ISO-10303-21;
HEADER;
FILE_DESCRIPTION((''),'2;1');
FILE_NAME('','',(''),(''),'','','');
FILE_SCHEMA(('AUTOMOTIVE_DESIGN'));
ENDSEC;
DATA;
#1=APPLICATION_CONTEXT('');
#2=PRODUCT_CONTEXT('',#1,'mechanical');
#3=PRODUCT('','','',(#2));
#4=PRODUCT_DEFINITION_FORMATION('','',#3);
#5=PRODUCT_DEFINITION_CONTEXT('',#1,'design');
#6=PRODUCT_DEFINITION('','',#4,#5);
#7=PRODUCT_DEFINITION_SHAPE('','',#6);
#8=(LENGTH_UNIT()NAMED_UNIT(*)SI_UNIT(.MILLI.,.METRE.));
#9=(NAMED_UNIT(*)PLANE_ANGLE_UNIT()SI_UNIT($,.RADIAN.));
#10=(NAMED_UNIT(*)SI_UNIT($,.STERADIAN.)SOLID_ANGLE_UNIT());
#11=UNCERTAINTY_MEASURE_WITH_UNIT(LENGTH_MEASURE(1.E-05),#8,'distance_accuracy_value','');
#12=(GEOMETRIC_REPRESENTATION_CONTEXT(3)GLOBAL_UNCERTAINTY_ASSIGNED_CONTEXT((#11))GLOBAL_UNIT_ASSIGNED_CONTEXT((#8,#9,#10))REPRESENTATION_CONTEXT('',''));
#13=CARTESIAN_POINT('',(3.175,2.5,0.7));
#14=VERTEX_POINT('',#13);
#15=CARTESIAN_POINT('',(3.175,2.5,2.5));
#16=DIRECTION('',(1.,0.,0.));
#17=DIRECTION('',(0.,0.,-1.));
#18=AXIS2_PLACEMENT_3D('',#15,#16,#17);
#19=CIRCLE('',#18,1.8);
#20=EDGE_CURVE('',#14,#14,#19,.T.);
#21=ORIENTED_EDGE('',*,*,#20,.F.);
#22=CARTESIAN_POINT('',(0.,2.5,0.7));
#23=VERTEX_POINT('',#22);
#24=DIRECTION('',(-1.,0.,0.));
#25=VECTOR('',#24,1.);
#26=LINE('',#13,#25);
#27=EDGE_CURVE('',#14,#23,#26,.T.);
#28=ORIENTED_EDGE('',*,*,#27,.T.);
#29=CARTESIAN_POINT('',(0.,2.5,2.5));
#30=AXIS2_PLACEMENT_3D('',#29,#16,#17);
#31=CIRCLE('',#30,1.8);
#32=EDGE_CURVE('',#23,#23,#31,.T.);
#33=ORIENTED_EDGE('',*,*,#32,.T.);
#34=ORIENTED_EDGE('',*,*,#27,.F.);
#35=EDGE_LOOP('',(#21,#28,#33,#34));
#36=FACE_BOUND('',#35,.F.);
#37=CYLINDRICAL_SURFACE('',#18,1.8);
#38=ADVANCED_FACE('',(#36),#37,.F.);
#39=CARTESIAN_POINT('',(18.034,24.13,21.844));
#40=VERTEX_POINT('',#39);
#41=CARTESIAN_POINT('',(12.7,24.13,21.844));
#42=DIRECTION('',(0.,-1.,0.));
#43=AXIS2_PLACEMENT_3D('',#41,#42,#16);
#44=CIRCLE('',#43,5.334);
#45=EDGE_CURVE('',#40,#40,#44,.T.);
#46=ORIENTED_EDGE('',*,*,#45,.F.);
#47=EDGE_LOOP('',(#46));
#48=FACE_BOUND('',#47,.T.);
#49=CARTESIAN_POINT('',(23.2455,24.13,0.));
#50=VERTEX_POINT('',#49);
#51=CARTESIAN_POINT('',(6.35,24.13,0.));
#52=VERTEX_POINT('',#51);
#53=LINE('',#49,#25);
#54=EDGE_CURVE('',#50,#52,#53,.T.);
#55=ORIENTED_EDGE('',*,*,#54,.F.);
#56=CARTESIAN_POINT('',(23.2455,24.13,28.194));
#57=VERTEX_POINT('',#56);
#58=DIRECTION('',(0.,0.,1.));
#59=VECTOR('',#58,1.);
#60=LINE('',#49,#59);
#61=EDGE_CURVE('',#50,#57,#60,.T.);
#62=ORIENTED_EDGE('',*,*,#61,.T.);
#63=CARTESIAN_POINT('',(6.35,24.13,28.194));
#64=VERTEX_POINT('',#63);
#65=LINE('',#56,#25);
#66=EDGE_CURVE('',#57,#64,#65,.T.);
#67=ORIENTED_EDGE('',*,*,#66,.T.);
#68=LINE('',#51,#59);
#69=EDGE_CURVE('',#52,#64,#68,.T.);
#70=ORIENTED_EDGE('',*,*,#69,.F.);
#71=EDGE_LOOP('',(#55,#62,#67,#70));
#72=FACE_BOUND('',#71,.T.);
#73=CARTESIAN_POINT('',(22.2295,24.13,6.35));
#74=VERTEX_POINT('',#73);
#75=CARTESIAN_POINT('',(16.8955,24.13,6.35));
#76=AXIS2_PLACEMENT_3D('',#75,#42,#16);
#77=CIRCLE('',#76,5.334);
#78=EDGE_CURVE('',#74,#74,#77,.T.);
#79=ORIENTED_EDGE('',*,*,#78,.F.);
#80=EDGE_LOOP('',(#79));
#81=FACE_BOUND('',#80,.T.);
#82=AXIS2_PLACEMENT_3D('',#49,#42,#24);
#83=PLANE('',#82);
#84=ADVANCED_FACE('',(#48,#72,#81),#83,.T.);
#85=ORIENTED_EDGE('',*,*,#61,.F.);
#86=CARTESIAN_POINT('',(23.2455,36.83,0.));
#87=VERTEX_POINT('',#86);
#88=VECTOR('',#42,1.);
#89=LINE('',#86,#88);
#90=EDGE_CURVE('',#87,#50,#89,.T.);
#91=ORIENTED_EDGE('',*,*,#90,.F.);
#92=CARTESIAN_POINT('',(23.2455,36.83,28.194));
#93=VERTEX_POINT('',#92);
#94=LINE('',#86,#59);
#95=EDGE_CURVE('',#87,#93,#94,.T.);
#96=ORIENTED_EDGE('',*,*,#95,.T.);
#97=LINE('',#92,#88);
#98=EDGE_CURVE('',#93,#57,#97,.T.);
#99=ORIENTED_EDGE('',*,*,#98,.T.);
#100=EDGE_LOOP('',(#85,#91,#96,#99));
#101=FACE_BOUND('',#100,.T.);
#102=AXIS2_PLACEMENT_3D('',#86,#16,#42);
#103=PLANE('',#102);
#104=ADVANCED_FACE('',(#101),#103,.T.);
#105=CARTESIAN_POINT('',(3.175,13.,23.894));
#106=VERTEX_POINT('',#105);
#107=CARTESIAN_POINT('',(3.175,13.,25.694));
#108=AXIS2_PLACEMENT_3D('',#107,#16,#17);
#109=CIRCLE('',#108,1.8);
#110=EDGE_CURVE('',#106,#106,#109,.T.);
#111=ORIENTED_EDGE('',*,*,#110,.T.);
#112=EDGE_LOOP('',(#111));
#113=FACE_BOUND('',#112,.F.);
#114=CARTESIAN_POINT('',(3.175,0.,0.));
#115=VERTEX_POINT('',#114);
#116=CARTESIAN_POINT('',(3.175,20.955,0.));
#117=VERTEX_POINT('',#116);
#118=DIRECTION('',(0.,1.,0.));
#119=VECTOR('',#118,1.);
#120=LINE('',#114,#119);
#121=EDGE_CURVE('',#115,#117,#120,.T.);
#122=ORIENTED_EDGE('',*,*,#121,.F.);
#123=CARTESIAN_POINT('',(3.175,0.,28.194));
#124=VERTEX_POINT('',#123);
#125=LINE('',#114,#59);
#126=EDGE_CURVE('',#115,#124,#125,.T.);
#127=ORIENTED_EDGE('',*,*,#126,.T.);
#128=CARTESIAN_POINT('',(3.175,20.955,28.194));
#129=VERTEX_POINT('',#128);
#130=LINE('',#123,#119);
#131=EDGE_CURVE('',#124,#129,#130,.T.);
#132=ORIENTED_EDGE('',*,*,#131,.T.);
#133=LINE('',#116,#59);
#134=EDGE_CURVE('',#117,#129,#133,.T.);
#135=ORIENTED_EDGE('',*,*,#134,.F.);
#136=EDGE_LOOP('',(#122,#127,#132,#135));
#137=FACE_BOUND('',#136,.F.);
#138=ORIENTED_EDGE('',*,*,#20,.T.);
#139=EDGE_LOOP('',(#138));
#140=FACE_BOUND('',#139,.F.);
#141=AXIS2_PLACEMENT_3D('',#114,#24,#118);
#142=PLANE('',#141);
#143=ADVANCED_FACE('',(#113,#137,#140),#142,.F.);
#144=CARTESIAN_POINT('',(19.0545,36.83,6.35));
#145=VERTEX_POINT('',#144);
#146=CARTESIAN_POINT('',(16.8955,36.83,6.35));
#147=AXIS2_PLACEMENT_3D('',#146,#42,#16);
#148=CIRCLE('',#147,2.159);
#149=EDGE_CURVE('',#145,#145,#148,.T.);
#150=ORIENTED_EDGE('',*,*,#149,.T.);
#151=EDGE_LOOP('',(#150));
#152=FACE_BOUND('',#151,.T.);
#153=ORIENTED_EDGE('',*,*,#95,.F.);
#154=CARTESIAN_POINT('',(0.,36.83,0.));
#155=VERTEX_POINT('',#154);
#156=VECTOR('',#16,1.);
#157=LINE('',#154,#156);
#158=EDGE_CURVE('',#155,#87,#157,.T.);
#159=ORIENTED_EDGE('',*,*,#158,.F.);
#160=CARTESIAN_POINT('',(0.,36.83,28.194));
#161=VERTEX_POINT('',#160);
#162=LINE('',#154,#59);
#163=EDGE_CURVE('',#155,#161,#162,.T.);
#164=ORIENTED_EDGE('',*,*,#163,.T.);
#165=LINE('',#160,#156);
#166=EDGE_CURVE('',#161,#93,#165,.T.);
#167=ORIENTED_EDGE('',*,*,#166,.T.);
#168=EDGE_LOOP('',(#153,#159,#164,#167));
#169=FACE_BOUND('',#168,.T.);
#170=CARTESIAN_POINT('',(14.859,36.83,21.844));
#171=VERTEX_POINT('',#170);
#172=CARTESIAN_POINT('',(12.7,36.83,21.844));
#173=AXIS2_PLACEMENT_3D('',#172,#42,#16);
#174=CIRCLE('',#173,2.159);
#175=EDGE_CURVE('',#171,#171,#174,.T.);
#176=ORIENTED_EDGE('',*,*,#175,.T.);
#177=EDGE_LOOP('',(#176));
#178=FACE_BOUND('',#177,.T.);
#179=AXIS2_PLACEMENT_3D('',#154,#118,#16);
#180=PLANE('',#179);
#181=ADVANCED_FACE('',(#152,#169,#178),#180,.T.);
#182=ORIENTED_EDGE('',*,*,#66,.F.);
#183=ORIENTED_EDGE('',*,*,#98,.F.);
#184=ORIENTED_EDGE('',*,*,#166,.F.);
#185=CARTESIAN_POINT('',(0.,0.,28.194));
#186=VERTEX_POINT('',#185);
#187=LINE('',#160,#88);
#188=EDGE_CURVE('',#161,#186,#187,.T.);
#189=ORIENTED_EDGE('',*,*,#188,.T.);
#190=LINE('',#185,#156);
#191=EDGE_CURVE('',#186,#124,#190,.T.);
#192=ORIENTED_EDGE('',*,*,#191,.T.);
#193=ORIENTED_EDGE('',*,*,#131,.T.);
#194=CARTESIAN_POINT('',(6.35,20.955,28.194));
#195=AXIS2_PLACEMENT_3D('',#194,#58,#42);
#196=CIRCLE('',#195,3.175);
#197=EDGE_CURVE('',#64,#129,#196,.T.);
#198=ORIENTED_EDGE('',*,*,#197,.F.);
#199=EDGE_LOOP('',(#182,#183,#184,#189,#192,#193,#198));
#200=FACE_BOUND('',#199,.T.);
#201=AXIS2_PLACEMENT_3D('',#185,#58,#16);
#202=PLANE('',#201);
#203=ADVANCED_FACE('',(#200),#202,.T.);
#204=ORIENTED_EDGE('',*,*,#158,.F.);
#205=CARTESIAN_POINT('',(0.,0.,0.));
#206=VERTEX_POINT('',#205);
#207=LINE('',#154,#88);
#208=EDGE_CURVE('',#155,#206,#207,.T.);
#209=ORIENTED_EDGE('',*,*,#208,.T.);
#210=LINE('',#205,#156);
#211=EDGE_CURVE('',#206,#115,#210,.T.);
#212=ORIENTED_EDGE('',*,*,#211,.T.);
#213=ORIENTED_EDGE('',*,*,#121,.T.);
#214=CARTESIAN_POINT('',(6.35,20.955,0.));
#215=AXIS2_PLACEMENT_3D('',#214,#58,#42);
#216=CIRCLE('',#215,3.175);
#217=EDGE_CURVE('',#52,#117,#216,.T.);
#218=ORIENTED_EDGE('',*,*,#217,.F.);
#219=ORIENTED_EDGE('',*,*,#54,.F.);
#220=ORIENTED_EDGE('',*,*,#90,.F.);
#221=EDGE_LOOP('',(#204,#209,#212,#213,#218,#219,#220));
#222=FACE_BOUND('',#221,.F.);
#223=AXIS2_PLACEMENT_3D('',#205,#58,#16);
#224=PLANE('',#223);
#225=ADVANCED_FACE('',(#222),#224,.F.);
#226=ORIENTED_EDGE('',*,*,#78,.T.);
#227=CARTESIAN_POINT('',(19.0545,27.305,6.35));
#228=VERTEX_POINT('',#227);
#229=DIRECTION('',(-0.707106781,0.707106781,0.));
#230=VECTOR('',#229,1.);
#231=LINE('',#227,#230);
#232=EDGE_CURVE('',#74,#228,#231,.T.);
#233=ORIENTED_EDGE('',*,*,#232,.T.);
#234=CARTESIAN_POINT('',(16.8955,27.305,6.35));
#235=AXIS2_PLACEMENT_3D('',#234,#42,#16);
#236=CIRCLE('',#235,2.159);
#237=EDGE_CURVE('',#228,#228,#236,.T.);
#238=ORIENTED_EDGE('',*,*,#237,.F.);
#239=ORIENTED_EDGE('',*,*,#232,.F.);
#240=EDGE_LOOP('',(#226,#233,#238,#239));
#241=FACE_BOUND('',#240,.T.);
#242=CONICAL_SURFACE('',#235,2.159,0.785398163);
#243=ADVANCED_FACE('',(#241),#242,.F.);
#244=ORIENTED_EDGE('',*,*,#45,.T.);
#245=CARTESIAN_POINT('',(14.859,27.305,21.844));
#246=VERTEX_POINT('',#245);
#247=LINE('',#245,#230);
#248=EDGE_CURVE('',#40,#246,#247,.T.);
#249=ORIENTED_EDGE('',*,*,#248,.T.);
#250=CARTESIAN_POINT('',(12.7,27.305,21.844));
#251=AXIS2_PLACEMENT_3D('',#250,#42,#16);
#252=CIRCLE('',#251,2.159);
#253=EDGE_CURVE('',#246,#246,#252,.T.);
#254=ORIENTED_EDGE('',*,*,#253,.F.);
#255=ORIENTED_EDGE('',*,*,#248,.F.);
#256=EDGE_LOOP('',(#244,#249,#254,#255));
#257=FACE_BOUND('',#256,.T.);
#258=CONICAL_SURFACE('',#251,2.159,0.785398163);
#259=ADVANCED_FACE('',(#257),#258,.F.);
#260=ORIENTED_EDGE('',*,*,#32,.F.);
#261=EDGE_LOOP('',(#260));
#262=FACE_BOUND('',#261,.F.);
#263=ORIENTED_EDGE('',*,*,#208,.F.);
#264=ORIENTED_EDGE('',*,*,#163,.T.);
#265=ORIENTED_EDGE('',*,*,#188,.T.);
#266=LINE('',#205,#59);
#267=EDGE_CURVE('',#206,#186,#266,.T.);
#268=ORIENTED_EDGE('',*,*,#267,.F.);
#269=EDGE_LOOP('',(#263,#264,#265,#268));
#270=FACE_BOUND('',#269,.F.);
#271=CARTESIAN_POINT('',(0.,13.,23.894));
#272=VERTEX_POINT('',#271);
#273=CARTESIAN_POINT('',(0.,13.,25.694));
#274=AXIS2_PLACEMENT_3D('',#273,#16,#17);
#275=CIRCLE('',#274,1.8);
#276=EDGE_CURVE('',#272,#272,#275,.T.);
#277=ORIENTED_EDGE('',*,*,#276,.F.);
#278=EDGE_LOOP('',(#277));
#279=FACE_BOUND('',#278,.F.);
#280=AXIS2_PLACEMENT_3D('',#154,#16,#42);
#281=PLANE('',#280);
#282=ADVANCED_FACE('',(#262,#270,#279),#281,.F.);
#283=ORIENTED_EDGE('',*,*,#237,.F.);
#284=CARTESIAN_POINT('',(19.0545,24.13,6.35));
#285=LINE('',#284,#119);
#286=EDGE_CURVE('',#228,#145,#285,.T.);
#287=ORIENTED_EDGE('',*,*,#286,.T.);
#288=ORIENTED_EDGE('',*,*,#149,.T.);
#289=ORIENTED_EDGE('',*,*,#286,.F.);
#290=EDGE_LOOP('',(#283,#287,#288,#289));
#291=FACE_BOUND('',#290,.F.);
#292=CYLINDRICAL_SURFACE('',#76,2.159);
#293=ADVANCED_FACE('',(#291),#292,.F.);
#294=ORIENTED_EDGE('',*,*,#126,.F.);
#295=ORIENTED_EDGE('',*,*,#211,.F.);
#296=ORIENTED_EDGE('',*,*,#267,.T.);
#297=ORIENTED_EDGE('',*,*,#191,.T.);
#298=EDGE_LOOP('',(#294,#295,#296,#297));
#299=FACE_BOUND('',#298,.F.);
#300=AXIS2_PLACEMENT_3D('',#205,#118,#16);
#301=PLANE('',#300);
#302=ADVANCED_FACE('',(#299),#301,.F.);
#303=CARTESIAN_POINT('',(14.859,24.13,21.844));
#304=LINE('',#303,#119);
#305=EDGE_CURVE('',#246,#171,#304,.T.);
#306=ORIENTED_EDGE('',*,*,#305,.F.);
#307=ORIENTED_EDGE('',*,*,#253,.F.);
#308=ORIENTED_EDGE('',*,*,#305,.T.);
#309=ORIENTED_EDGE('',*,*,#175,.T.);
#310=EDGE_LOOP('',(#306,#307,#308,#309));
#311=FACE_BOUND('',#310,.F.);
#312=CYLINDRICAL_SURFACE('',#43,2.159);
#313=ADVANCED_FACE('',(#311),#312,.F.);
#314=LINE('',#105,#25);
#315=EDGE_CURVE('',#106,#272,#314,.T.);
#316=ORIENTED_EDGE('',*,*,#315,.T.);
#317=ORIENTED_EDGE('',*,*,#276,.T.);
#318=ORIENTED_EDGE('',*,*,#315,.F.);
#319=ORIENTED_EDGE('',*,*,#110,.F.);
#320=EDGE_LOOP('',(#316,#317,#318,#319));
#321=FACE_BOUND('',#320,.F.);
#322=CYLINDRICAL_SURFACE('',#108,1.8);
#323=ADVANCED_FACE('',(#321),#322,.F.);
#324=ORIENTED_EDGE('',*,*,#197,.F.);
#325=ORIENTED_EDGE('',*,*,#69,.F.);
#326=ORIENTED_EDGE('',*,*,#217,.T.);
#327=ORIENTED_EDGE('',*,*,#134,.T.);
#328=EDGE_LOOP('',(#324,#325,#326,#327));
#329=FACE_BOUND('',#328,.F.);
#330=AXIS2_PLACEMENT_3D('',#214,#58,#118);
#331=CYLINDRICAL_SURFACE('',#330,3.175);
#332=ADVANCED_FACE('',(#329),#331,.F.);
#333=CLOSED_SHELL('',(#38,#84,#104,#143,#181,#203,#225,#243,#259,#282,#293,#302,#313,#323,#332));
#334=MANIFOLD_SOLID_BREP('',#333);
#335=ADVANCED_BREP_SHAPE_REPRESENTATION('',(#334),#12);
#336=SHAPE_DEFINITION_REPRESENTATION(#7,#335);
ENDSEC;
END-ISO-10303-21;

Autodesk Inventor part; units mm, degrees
ref_plane "YZ Plane" through (0, 0, 0) normal (1, 0, 0) x (0, 1, 0)
ref_plane "XZ Plane" through (0, 0, 0) normal (0, 1, 0) x (-1, 0, 0)
ref_plane "XY Plane" through (0, 0, 0) normal (0, 0, 1) x (1, 0, 0)
sketch "Sketch1" plane through (0, 0, 0) normal (0, 0, 1) x (1, 0, 0)
  line L0 (0, 0) -> (3.175, 0)
  line L1 (3.175, 0) -> (3.175, 24.13)
  line L2 (0, 36.83) -> (0, 0)
  line L3 (23.2455, 36.83) -> (23.2455, 24.13)
  line L4 (23.2455, 24.13) -> (3.175, 24.13)
  line L5 (0, 36.83) -> (23.2455, 36.83)
  dimension "d0" = 12.7
  dimension "d1" = 3.175
  dimension "d2" = 36.83
extrude "Extrusion1" add sketch "Sketch1" along normal blind 28.194
sketch "Sketch2" plane through (3.175, 0, 0) normal (1, 0, 0) x (0, 0, -1)
  circle A0 centre (-2.5, 2.5) radius 1.8
  circle A1 centre (-25.694, 13) radius 1.8
  line L0 (0, 0) -> (0, 24.13) projected
  line L1 (0, 0) -> (-28.194, 0) projected
  line L2 (-28.194, 0) -> (-28.194, 24.13) projected
  dimension "d5" = 3.6
  dimension "d6" = 3.6
  dimension "d7" = 2.5
  dimension "d8" = 2.5
  dimension "d9" = 2.5
  dimension "d10" = 13
extrude "Extrusion2" cut sketch "Sketch2" against normal blind 28.194
fillet "Fillet1" radius 3.175 1 edges at (3.175, 24.13, 14.097)
sketch "Sketch3" plane through (23.2455, 24.13, 0) normal (0, -1, 0) x (1, 0, 0)
  line L0 (-16.8955, 0) -> (-16.8955, 28.194) projected
  line L1 (-16.8955, 0) -> (0, 0) projected
  line L2 (0, 0) -> (0, 28.194) projected
  line L3 (-16.8955, 28.194) -> (0, 28.194) projected
  circle A0 centre (-10.5455, 21.844) radius 2.159
  circle A1 centre (-6.35, 6.35) radius 2.159
  point P0 (-23.2455, 0)
  dimension "d14" = 4.318
  dimension "d15" = 4.318
  dimension "d16" = 6.35
  dimension "d18" = 6.35
  dimension "d19" = 6.35
  dimension "d20" = 6.35
extrude "Extrusion3" cut sketch "Sketch3" against normal blind 28.194 contours A0 | A1
chamfer "Chamfer1" distance 3.175 angle 45 2 edges at (14.7365, 24.13, 6.35) (10.541, 24.13, 21.844)
properties part number "Limit Switch Top V1_3DPrint"
